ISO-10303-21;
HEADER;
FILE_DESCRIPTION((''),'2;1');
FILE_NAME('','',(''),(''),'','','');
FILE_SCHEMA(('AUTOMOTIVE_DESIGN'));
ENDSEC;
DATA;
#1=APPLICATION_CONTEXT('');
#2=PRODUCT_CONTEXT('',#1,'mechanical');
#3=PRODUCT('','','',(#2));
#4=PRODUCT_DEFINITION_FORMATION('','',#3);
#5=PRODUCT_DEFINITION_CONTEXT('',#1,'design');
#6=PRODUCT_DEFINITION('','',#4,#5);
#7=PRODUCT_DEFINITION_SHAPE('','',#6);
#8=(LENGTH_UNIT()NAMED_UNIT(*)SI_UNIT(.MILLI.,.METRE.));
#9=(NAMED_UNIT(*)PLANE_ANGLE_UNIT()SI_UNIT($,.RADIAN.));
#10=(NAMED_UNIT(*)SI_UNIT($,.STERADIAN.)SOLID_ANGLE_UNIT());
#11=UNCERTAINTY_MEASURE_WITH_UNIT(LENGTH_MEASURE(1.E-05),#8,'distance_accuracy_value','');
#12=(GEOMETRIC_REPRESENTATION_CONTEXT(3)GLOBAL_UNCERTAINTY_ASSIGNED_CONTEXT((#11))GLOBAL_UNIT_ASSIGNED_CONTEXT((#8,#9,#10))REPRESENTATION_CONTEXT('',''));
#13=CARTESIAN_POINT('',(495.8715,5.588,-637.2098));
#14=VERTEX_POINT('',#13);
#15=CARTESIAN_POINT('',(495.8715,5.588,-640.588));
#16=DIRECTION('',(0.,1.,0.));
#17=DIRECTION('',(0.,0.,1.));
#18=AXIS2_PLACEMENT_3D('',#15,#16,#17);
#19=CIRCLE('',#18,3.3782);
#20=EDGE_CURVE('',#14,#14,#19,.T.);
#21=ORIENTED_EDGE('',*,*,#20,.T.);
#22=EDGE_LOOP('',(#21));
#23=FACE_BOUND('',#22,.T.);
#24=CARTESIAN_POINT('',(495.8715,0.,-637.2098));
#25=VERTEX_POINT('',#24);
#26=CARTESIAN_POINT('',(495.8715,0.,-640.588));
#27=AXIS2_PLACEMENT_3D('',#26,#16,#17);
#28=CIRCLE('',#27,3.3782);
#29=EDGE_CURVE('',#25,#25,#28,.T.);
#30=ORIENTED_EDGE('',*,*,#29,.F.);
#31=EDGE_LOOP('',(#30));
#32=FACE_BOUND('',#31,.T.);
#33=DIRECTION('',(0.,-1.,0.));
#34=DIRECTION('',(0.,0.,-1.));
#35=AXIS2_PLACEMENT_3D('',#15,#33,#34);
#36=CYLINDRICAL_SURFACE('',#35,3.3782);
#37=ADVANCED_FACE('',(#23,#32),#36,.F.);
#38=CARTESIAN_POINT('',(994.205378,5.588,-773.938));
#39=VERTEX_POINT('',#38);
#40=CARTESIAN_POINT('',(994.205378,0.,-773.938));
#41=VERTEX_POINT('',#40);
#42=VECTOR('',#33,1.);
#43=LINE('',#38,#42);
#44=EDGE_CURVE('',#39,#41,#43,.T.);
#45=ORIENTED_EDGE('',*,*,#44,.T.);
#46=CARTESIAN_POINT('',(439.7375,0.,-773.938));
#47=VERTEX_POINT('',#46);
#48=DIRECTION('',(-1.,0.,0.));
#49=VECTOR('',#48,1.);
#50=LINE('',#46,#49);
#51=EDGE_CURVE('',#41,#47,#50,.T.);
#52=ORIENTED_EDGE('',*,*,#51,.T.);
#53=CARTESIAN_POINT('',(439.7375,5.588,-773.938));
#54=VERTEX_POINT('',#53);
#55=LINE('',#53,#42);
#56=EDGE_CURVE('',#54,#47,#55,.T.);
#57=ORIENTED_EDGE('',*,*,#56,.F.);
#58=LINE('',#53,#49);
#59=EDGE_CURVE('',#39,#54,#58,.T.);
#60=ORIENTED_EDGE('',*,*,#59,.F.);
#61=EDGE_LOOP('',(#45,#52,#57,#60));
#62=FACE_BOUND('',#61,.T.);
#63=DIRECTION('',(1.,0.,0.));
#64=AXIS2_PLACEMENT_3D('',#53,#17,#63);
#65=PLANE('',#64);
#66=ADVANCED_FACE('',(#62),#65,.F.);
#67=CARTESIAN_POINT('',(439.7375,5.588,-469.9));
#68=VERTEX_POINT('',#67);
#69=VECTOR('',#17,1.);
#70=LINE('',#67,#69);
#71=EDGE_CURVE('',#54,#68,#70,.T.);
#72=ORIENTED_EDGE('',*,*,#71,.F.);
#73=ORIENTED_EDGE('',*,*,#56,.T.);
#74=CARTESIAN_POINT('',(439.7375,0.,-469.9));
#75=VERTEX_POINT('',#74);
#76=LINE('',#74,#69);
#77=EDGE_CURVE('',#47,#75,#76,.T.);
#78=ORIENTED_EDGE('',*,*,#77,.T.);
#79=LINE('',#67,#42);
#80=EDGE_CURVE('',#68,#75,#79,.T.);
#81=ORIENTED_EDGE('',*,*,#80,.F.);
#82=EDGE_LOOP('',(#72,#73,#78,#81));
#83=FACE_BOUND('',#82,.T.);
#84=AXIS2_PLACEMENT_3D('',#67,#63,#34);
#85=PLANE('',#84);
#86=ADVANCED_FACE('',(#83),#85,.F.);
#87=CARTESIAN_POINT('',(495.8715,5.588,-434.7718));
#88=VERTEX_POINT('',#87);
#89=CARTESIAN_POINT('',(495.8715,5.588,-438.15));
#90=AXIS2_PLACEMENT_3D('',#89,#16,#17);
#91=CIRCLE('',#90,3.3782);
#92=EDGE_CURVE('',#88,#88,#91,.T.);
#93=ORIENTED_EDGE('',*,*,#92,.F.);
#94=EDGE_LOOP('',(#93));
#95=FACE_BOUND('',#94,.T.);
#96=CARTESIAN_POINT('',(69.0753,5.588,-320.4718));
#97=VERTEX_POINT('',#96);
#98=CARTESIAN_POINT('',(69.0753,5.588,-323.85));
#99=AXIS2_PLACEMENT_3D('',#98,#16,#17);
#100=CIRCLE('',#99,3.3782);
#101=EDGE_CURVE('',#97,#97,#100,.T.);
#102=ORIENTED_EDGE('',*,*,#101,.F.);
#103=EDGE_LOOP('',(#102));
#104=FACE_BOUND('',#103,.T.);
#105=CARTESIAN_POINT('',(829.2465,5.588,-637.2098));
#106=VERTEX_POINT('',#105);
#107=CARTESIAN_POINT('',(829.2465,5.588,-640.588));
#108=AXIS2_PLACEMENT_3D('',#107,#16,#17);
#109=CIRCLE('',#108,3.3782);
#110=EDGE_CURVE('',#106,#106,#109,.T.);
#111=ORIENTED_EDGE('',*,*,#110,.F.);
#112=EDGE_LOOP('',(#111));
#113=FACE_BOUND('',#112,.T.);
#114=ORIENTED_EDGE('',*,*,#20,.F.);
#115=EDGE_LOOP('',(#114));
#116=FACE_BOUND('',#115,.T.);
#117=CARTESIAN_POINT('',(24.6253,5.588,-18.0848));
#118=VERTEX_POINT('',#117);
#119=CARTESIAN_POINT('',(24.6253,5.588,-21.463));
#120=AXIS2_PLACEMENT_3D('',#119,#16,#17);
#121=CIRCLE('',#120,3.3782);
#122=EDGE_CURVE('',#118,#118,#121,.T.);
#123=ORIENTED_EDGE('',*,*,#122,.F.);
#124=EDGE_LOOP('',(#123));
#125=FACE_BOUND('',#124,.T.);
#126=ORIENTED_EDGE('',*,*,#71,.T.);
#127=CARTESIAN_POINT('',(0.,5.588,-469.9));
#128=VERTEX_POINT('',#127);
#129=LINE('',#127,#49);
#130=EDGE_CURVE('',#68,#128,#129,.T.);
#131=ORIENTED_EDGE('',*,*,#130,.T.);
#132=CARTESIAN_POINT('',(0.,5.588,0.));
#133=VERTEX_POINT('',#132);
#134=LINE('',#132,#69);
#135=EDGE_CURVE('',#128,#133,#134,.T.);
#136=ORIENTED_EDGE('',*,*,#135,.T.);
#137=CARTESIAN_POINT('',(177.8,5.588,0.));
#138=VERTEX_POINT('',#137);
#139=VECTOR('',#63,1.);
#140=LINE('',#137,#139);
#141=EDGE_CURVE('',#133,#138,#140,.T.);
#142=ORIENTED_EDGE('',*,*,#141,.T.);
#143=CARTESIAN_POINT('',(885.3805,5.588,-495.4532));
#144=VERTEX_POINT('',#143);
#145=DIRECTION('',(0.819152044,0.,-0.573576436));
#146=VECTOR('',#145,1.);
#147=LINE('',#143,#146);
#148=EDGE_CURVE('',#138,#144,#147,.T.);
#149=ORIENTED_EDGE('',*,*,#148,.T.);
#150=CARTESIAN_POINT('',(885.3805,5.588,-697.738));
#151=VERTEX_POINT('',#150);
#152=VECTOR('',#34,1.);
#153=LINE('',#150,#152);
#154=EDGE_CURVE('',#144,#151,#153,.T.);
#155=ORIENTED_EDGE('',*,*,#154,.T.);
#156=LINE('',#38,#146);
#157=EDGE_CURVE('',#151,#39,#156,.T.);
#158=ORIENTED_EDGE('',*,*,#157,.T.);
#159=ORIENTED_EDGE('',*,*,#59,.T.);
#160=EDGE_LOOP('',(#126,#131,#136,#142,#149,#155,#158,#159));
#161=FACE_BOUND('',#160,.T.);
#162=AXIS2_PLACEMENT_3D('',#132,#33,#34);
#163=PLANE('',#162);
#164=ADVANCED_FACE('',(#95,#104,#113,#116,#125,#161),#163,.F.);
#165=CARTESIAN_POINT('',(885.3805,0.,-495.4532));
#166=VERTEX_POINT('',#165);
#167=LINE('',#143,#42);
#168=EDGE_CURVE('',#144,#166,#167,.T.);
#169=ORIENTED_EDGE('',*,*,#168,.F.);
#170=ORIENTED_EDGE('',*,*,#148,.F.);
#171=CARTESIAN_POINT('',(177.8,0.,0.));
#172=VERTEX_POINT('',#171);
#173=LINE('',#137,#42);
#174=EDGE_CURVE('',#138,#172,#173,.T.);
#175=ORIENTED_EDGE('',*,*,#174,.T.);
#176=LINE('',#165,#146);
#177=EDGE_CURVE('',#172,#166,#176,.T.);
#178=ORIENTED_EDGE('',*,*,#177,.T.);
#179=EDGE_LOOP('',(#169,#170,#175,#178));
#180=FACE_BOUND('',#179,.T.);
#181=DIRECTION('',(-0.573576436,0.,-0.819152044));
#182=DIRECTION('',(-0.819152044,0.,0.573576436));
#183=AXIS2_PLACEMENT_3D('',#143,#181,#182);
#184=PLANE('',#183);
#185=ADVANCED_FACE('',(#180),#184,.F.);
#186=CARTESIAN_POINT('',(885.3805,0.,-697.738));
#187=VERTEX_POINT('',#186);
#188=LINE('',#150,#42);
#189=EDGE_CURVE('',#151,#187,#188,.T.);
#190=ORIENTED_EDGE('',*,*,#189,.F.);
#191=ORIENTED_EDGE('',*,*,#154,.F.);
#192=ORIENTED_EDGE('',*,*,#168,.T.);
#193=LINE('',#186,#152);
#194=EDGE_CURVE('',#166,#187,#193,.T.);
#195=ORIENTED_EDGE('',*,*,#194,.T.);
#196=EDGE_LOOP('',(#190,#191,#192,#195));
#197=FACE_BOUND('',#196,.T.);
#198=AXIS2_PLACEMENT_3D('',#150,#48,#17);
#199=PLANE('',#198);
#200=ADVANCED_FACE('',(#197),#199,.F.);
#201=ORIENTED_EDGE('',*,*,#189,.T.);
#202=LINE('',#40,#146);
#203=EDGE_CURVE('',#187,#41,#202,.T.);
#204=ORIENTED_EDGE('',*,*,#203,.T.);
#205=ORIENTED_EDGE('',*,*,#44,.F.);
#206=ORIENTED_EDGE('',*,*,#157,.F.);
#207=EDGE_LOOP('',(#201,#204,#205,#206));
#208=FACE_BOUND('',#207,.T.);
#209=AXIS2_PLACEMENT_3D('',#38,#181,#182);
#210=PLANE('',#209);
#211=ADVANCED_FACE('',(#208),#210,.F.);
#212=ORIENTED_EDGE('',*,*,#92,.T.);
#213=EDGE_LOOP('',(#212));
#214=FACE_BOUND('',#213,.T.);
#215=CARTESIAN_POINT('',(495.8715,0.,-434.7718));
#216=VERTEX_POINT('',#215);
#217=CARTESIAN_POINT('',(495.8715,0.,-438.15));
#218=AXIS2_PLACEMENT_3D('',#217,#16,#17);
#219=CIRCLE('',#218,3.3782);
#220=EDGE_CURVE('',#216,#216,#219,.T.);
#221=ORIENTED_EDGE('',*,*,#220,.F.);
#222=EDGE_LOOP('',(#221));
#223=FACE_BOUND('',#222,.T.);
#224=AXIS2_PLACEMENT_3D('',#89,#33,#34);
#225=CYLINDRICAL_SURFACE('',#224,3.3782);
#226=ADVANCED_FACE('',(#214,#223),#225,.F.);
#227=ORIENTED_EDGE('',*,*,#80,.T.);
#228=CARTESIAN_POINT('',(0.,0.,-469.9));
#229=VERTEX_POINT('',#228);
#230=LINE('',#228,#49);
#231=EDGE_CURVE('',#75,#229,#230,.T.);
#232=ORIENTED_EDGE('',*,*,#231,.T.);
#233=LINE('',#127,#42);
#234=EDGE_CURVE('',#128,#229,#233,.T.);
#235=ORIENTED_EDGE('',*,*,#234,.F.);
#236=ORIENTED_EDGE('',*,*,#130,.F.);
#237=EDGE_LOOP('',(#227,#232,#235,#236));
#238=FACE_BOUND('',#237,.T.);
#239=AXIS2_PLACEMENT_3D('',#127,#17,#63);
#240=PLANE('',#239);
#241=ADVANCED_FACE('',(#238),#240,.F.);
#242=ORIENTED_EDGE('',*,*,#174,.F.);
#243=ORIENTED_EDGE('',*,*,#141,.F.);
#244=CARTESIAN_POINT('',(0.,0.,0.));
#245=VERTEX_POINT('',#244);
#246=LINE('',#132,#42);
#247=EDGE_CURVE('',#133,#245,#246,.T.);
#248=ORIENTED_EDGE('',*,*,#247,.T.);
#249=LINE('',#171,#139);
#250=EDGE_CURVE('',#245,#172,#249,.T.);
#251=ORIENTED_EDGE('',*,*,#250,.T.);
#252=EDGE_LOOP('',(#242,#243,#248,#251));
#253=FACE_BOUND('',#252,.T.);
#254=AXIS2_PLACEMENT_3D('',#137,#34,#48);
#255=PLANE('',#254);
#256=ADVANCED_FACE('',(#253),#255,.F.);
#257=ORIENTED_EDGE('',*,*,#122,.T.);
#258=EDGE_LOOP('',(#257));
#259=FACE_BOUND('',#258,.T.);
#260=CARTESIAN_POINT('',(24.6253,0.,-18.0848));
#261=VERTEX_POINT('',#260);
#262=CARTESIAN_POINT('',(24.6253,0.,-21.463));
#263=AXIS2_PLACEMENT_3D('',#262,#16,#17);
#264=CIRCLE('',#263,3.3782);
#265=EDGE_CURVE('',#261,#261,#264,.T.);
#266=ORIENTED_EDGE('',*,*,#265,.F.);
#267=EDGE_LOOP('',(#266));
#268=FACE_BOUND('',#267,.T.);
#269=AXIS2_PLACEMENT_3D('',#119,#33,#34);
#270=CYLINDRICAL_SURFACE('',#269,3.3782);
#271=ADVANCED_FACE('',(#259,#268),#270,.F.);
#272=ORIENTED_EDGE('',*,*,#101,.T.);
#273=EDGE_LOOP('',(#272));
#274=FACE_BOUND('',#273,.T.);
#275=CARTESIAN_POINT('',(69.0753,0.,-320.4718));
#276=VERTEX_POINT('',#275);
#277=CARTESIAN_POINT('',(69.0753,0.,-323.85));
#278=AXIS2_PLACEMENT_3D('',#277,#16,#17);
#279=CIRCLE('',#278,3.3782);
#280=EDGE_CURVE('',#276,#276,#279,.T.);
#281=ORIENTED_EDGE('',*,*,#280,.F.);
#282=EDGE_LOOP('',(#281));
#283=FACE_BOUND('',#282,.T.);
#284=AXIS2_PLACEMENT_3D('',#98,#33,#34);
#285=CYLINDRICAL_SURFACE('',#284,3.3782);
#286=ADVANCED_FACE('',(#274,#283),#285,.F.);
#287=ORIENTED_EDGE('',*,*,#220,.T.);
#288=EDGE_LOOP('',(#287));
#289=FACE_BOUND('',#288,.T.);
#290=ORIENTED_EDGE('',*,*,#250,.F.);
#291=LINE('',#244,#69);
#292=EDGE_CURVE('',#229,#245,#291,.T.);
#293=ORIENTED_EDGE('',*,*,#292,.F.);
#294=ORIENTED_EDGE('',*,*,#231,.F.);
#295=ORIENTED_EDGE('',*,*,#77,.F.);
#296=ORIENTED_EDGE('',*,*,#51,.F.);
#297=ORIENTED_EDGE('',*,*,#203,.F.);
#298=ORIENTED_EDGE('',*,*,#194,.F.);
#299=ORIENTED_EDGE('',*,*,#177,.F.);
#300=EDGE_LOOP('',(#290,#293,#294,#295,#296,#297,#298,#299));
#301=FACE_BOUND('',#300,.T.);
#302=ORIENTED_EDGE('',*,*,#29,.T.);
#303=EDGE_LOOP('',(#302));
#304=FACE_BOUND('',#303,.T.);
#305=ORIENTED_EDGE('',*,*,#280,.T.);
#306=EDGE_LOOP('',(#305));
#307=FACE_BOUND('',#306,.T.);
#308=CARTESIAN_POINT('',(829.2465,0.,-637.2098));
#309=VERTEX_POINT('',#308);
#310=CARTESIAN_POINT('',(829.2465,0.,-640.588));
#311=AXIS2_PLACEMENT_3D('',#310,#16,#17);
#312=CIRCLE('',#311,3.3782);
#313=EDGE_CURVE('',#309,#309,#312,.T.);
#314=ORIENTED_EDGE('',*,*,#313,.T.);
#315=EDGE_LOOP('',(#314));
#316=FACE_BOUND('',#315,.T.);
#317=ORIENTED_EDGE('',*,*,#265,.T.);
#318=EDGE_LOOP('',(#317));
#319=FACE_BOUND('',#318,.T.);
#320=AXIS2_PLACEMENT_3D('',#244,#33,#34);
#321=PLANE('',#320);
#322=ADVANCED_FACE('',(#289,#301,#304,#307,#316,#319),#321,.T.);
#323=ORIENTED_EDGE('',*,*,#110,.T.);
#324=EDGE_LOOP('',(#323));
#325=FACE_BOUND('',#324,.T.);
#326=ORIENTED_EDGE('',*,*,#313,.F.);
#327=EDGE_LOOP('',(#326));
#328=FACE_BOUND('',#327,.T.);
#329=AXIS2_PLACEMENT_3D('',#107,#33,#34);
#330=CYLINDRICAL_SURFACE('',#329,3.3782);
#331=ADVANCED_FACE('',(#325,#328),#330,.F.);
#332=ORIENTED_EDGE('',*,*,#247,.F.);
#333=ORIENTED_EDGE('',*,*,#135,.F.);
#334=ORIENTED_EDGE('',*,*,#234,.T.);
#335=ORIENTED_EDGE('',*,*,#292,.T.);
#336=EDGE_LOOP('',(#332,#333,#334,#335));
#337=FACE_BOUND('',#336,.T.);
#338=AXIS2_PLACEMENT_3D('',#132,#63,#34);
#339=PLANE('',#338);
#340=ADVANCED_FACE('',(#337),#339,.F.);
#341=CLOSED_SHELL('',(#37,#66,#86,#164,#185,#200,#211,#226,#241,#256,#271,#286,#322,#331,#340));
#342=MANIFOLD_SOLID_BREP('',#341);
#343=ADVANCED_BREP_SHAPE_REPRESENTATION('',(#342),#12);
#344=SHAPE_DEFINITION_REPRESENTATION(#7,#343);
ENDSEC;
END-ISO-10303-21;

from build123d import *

# Parameters (mm, degrees)
SKETCH1_R           = 3.3782
BOSS_EXTRUDE1_DEPTH = 5.588


with BuildPart() as part:
    # Sketch1 (on Top Plane) → Boss-Extrude1 (new body)
    with BuildSketch(Plane(origin=(0, 0, 0), x_dir=(1, 0, 0), z_dir=(0, 1, 0))):
        Polygon((0, 0), (0, 469.9), (439.7375, 469.9), (439.7375, 773.938), (994.205378114, 773.938), (885.3805, 697.738), (885.3805, 495.45319999), (177.8, 0), align=None)
        with Locations(Location((24.6253, 21.463, 0), (0, 0, 270))):
            Circle(SKETCH1_R, mode=Mode.SUBTRACT)
        with Locations(Location((69.0753, 323.85, 0), (0, 0, 270))):
            Circle(SKETCH1_R, mode=Mode.SUBTRACT)
        with Locations(Location((495.8715, 438.15, 0), (0, 0, 270))):
            Circle(SKETCH1_R, mode=Mode.SUBTRACT)
        with Locations(Location((495.8715, 640.588, 0), (0, 0, 270))):
            Circle(SKETCH1_R, mode=Mode.SUBTRACT)
        with Locations(Location((829.2465, 640.588, 0), (0, 0, 270))):
            Circle(SKETCH1_R, mode=Mode.SUBTRACT)
    extrude(amount=BOSS_EXTRUDE1_DEPTH)


solid = part.part
